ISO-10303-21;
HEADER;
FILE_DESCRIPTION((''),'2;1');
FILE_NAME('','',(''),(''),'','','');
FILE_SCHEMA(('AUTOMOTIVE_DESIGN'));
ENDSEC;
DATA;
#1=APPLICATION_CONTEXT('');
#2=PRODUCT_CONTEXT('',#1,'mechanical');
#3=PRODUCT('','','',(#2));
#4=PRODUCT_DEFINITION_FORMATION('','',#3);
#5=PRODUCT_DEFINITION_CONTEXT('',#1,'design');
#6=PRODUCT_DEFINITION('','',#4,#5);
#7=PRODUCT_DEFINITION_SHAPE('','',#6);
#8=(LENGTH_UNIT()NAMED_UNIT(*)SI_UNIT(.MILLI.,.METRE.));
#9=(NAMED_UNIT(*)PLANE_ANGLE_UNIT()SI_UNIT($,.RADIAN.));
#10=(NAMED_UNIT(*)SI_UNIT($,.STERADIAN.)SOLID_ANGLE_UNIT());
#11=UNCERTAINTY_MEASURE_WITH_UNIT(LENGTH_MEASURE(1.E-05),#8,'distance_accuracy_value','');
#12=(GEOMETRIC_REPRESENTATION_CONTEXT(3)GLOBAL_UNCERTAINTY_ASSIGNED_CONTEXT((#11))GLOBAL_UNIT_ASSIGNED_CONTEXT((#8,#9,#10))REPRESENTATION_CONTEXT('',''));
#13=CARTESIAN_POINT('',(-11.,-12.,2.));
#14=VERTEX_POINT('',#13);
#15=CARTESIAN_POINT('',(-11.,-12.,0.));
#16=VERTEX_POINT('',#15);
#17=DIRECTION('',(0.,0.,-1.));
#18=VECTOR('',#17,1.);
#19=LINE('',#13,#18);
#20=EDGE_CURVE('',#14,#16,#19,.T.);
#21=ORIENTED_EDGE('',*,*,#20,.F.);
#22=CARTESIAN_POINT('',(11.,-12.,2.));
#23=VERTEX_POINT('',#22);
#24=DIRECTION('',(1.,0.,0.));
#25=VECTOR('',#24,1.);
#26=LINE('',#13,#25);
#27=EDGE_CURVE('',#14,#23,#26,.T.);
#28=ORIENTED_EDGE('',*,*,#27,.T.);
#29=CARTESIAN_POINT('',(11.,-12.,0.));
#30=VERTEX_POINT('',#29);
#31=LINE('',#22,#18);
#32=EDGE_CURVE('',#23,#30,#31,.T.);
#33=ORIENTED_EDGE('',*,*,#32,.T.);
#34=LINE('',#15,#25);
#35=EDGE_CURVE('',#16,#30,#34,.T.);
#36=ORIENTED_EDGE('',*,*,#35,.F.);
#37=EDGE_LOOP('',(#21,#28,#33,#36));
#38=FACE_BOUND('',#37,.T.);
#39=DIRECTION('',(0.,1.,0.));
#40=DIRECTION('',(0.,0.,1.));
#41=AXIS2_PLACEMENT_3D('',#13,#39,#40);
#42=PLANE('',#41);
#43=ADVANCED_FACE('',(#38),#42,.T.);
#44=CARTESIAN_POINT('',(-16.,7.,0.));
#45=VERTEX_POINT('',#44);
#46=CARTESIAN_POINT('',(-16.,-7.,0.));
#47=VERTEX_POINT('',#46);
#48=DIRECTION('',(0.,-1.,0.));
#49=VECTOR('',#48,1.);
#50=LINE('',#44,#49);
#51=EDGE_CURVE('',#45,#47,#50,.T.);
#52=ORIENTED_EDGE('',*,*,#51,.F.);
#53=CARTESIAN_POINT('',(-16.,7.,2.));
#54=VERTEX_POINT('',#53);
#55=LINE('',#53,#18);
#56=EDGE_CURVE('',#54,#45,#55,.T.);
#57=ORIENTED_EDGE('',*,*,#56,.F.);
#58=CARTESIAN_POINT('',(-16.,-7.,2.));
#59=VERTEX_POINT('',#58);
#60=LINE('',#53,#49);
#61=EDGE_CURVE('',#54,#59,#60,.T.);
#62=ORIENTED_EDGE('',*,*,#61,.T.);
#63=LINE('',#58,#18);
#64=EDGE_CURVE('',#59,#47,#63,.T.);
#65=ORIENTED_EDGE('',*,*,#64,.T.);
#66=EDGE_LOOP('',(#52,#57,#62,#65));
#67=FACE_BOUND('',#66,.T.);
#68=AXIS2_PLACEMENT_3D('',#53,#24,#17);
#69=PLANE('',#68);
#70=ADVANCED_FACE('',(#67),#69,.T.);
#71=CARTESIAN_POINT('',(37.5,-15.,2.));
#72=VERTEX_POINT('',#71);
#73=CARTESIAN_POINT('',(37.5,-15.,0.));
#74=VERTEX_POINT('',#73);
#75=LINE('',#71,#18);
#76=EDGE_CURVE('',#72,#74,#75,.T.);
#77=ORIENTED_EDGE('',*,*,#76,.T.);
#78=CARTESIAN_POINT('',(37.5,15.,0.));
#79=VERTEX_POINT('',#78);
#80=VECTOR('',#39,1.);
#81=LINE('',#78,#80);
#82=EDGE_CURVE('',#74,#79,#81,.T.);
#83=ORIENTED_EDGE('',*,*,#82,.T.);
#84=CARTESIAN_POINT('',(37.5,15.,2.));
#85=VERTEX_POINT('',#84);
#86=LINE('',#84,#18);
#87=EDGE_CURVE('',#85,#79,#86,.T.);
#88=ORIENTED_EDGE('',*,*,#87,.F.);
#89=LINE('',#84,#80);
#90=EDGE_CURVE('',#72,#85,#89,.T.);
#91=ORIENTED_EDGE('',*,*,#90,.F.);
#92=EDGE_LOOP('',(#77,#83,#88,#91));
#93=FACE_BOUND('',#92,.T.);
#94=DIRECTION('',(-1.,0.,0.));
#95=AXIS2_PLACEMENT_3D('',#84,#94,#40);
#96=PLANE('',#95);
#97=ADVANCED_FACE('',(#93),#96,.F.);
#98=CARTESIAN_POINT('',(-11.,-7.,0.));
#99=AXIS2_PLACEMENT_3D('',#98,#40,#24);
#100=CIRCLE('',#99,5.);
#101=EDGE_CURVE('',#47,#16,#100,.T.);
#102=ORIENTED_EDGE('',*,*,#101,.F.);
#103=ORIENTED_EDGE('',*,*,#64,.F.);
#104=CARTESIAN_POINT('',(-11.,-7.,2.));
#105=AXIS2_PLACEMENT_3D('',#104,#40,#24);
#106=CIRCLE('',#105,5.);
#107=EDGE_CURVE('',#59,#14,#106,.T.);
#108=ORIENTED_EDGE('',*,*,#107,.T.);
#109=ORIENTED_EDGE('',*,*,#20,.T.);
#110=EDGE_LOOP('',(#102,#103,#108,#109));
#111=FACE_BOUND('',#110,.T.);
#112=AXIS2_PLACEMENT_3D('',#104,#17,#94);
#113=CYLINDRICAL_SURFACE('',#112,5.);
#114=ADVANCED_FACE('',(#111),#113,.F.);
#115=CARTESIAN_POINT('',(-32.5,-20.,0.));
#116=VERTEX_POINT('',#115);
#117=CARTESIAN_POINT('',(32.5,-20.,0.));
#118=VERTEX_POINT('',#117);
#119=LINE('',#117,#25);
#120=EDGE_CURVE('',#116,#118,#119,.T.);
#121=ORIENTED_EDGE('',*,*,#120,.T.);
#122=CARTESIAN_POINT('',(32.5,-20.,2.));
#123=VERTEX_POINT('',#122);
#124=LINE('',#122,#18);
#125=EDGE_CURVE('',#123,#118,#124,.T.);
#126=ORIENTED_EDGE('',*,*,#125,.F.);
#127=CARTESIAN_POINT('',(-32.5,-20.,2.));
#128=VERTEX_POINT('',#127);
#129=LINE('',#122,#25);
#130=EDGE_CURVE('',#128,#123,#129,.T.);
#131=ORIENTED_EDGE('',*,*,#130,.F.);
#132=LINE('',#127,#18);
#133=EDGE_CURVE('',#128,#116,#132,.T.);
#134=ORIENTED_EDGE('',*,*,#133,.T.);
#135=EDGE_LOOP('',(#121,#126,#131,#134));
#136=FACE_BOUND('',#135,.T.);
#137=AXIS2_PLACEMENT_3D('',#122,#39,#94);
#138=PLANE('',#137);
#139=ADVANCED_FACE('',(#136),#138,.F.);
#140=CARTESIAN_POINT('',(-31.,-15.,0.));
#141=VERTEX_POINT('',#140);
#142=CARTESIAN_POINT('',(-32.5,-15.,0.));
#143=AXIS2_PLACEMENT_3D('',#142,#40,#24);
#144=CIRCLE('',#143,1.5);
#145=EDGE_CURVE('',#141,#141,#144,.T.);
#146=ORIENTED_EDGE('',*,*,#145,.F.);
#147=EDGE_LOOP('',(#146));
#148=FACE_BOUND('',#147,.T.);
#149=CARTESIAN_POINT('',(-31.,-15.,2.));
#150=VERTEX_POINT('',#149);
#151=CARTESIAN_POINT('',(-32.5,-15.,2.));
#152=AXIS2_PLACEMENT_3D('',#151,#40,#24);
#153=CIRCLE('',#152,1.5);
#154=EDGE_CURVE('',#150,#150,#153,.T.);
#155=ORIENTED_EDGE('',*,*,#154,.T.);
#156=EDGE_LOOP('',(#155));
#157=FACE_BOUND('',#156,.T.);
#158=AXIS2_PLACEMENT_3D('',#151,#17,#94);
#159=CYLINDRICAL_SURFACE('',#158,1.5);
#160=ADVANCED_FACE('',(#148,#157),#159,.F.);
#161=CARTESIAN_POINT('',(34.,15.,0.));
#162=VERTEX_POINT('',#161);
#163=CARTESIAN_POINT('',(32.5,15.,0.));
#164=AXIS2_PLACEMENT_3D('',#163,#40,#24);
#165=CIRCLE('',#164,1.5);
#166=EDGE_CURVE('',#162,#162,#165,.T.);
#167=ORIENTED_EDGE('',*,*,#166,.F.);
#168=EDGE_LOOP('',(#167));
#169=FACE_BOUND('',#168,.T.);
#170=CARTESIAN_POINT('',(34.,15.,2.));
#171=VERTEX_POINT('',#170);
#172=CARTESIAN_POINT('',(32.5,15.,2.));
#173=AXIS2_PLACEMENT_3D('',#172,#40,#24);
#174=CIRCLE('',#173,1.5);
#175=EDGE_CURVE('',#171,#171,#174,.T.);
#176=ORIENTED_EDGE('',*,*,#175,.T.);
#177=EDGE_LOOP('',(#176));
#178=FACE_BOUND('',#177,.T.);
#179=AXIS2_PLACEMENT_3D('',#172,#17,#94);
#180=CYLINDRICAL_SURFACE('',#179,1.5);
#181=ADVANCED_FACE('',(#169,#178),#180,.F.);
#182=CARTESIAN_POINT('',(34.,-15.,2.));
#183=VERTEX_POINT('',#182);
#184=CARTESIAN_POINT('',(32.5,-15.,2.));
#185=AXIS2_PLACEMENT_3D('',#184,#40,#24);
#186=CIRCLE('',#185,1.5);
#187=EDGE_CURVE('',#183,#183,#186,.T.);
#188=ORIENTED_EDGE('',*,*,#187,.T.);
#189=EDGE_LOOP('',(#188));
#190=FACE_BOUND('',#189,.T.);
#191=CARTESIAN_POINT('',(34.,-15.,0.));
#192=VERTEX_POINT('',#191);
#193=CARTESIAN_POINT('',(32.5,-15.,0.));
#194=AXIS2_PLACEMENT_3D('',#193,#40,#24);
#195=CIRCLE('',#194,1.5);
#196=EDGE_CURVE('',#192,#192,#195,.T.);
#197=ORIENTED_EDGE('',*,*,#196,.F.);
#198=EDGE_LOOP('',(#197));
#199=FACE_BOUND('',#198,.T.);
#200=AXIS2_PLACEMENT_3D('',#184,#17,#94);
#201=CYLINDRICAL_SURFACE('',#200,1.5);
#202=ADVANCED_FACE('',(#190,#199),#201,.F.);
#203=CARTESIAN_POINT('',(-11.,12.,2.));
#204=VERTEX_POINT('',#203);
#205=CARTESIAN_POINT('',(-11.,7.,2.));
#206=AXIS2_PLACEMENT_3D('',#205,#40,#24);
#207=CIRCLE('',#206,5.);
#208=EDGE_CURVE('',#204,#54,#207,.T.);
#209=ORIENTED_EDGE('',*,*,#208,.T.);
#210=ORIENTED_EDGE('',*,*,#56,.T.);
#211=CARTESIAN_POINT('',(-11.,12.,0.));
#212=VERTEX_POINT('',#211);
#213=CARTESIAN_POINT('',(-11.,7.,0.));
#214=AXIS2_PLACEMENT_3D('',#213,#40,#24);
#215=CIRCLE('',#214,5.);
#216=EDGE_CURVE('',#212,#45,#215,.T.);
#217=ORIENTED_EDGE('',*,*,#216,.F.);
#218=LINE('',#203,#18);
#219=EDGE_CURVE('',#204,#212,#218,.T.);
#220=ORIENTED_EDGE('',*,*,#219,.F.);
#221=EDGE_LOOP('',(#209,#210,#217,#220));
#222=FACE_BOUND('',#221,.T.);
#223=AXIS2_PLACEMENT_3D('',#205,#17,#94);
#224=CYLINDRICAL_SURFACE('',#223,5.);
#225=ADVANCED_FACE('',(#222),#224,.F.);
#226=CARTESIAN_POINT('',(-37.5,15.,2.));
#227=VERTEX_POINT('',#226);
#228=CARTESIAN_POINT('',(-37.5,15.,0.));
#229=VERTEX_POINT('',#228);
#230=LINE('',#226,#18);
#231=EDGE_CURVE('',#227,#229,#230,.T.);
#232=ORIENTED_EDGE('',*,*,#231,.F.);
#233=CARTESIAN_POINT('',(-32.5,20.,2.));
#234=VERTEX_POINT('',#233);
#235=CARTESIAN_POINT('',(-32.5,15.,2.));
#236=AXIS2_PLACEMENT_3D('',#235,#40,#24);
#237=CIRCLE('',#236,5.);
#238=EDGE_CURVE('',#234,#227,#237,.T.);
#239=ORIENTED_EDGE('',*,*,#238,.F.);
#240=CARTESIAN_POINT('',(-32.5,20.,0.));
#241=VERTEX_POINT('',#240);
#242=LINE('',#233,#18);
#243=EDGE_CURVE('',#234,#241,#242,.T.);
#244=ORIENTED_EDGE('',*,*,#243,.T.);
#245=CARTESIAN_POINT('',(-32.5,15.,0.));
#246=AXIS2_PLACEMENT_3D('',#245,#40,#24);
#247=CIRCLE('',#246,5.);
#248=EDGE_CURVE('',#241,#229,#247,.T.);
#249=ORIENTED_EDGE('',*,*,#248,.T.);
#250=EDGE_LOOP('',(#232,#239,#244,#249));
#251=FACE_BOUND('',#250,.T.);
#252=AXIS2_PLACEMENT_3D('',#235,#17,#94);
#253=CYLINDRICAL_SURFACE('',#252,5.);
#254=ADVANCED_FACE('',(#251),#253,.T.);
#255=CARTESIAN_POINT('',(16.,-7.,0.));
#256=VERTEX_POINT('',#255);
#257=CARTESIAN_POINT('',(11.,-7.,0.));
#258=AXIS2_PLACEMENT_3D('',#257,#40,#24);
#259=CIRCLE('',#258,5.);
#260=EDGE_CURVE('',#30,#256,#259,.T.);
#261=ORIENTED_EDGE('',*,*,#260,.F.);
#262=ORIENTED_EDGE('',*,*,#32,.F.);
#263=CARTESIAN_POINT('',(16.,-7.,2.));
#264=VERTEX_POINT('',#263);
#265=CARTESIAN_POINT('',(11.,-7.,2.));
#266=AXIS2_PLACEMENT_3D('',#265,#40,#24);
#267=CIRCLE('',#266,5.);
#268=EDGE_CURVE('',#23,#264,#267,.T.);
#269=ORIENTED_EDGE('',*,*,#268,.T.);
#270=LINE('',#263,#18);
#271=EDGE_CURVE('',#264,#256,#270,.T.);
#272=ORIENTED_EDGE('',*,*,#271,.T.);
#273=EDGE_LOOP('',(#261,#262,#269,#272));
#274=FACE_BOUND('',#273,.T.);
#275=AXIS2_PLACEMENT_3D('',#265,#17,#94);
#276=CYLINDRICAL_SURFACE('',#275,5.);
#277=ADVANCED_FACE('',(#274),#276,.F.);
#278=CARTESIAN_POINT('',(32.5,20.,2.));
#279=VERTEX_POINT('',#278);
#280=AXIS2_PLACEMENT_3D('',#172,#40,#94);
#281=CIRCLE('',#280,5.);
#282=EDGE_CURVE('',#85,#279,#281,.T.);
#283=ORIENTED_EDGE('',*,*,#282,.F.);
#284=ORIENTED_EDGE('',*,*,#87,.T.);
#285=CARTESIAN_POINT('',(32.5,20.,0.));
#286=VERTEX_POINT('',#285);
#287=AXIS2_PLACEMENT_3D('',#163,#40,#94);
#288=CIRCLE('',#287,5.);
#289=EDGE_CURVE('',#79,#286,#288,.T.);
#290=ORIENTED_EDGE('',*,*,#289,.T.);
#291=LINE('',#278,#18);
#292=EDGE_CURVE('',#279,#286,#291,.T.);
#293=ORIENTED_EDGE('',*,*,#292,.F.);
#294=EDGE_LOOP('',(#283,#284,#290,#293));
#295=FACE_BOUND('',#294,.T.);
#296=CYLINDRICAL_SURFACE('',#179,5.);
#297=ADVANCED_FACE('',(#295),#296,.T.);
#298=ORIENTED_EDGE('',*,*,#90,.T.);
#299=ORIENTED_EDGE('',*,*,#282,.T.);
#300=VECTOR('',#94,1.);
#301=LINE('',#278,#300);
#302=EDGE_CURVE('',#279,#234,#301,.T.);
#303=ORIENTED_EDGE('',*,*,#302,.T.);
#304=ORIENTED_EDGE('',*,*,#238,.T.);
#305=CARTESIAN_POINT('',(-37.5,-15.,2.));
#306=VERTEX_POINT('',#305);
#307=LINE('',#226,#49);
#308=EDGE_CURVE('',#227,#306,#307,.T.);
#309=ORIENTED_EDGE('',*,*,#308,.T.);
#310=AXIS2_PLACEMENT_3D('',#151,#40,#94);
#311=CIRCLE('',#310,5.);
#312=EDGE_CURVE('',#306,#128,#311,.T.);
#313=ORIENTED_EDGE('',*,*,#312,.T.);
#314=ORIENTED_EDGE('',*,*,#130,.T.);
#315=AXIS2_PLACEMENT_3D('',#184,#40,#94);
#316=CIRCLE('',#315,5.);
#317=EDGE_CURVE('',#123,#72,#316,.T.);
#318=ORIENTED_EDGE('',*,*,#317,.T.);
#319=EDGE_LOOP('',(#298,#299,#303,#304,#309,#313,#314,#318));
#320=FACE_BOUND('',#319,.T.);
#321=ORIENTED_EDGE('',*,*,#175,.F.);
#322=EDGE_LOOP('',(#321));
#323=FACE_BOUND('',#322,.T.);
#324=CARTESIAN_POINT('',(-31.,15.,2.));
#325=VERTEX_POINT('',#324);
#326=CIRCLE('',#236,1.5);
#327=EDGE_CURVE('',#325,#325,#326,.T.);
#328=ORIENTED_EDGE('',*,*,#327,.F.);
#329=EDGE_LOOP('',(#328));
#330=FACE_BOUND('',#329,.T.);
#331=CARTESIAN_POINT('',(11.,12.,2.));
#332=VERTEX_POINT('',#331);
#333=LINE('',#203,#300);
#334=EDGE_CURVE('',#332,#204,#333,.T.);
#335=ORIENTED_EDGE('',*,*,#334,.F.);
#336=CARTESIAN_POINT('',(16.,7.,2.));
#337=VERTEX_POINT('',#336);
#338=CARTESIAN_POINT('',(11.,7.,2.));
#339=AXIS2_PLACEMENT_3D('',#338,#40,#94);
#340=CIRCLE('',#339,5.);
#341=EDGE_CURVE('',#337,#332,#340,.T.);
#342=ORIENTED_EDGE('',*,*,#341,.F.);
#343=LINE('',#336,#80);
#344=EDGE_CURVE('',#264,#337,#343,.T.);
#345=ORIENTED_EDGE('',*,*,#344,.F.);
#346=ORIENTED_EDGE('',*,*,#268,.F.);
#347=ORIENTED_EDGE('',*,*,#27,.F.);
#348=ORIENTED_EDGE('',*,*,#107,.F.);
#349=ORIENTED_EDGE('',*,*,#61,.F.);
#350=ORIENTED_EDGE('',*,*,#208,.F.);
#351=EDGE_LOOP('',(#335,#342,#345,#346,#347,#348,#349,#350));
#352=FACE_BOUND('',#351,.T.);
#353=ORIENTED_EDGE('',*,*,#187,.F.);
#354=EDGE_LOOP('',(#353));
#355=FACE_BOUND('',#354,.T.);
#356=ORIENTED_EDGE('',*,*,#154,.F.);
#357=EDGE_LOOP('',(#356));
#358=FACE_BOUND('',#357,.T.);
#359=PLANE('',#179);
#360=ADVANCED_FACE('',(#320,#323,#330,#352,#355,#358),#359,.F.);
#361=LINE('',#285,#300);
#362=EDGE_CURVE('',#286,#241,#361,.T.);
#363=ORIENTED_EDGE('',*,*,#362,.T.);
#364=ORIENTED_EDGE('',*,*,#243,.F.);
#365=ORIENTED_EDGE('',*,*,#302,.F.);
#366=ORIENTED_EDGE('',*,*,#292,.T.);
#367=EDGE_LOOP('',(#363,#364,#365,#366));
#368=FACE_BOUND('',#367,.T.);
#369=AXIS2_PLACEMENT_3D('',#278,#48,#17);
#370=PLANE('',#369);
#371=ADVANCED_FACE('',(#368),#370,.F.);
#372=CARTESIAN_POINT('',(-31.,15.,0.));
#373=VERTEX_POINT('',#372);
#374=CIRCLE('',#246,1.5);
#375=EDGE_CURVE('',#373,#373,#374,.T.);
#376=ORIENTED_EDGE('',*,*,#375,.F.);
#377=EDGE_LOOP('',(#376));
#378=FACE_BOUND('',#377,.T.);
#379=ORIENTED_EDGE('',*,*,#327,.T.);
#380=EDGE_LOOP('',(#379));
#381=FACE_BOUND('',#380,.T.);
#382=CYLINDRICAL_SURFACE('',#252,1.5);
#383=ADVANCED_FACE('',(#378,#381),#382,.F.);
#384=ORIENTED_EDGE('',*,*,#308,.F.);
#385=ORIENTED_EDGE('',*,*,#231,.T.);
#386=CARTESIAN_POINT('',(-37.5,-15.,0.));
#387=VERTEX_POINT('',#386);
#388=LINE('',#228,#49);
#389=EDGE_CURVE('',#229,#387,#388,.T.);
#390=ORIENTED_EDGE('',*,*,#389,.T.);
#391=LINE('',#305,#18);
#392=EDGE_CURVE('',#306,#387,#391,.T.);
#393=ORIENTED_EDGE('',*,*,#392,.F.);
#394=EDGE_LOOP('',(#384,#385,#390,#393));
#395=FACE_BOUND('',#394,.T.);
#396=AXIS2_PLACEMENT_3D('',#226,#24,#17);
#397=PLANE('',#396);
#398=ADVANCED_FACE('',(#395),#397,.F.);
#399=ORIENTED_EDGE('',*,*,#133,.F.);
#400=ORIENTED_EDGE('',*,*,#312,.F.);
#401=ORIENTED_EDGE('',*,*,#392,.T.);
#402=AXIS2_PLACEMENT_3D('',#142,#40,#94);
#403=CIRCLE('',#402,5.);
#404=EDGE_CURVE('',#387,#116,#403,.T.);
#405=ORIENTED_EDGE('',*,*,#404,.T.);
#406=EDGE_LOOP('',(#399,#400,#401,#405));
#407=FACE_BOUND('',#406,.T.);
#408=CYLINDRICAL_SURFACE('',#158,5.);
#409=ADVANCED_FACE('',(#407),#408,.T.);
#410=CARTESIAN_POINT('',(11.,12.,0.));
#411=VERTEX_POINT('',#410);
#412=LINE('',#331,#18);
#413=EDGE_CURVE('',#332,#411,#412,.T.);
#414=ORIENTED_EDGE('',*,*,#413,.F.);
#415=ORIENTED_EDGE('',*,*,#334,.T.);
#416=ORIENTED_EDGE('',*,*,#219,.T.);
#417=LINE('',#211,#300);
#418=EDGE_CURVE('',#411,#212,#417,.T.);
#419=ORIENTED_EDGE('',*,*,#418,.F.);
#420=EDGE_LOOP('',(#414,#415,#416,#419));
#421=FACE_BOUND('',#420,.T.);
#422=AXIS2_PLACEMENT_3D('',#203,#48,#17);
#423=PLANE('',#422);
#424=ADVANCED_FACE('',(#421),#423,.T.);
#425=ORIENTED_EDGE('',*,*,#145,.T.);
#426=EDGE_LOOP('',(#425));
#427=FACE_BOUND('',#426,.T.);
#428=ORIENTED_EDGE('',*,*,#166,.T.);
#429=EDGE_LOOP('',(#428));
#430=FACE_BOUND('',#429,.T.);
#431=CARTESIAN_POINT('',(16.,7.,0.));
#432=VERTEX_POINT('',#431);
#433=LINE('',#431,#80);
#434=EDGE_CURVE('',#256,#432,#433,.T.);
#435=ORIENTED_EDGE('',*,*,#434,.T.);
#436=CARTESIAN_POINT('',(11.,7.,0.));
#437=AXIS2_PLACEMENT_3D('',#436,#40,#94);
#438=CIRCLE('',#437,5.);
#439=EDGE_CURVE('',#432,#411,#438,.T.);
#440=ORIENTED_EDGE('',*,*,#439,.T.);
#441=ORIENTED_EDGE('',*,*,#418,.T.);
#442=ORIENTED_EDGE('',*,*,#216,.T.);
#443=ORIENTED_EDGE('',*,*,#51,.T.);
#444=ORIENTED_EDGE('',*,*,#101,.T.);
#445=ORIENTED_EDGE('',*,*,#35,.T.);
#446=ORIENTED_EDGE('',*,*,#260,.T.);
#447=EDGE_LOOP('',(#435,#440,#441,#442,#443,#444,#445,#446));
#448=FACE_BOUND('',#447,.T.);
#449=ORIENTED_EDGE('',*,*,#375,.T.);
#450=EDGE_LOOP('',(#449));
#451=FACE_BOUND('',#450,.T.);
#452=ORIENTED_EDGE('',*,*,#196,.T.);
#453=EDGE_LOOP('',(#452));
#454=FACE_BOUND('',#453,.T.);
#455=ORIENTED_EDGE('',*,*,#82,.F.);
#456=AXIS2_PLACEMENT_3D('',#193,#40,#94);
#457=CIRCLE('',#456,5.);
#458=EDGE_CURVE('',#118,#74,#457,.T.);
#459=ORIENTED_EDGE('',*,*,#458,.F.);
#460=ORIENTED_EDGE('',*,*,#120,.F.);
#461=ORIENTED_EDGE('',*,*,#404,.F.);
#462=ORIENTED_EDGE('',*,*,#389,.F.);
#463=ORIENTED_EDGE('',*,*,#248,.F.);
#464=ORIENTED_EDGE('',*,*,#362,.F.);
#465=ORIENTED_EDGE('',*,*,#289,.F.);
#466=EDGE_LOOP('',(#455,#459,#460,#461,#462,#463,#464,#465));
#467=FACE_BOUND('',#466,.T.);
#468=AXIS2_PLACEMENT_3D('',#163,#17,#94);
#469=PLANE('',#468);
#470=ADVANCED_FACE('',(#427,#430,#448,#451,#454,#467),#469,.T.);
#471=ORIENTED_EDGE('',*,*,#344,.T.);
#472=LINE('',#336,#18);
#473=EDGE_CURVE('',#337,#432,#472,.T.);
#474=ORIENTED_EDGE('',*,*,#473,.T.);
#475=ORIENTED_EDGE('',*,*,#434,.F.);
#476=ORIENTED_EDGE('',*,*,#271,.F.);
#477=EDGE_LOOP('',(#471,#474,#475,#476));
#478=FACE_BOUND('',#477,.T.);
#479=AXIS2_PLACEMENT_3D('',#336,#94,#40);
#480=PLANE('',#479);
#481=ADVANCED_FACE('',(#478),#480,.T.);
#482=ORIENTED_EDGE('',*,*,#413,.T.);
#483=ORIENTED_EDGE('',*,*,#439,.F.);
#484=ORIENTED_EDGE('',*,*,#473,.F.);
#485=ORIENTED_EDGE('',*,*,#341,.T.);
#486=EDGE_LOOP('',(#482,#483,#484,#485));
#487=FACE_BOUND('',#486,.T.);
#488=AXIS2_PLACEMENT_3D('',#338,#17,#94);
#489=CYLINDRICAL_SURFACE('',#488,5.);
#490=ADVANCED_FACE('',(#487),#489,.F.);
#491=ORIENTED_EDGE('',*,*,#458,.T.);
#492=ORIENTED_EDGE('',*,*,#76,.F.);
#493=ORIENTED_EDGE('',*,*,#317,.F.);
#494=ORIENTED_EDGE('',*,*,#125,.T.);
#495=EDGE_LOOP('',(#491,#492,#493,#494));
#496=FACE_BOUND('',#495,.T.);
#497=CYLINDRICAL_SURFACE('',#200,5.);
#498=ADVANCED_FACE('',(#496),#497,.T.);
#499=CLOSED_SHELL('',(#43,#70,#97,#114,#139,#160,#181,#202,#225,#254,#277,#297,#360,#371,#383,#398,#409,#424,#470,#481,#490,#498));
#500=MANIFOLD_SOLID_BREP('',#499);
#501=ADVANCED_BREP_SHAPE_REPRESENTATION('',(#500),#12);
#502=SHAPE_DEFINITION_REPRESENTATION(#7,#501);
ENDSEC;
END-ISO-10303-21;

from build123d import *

# Parameters (mm, degrees)
SKETCH1_R           = 1.5
BOSS_EXTRUDE1_DEPTH = 2


with BuildPart() as part:
    # Sketch1 → Boss-Extrude1 (new body)
    with BuildSketch(Plane.XY):
        with BuildLine():
            Line((32.5, 20), (-32.5, 20))
            ThreePointArc((-32.5, 20), (-36.035533906, 18.535533906), (-37.5, 15))
            Line((-37.5, 15), (-37.5, -15))
            ThreePointArc((-37.5, -15), (-36.035533906, -18.535533906), (-32.5, -20))
            Line((-32.5, -20), (32.5, -20))
            ThreePointArc((32.5, -20), (36.035533906, -18.535533906), (37.5, -15))
            Line((37.5, -15), (37.5, 15))
            ThreePointArc((37.5, 15), (36.035533906, 18.535533906), (32.5, 20))
        make_face()
        with Locations((-32.5, -15)):
            Circle(SKETCH1_R, mode=Mode.SUBTRACT)
        with Locations((-32.5, 15)):
            Circle(SKETCH1_R, mode=Mode.SUBTRACT)
        with Locations((32.5, 15)):
            Circle(SKETCH1_R, mode=Mode.SUBTRACT)
        with Locations((32.5, -15)):
            Circle(SKETCH1_R, mode=Mode.SUBTRACT)
        with BuildLine():
            Line((-11, 12), (11, 12))
            ThreePointArc((11, 12), (14.535533906, 10.535533906), (16, 7))
            Line((16, 7), (16, -7))
            ThreePointArc((16, -7), (14.535533906, -10.535533906), (11, -12))
            Line((11, -12), (-11, -12))
            ThreePointArc((-11, -12), (-14.535533906, -10.535533906), (-16, -7))
            Line((-16, -7), (-16, 7))
            ThreePointArc((-16, 7), (-14.535533906, 10.535533906), (-11, 12))
        make_face(mode=Mode.SUBTRACT)
    extrude(amount=BOSS_EXTRUDE1_DEPTH)


solid = part.part
